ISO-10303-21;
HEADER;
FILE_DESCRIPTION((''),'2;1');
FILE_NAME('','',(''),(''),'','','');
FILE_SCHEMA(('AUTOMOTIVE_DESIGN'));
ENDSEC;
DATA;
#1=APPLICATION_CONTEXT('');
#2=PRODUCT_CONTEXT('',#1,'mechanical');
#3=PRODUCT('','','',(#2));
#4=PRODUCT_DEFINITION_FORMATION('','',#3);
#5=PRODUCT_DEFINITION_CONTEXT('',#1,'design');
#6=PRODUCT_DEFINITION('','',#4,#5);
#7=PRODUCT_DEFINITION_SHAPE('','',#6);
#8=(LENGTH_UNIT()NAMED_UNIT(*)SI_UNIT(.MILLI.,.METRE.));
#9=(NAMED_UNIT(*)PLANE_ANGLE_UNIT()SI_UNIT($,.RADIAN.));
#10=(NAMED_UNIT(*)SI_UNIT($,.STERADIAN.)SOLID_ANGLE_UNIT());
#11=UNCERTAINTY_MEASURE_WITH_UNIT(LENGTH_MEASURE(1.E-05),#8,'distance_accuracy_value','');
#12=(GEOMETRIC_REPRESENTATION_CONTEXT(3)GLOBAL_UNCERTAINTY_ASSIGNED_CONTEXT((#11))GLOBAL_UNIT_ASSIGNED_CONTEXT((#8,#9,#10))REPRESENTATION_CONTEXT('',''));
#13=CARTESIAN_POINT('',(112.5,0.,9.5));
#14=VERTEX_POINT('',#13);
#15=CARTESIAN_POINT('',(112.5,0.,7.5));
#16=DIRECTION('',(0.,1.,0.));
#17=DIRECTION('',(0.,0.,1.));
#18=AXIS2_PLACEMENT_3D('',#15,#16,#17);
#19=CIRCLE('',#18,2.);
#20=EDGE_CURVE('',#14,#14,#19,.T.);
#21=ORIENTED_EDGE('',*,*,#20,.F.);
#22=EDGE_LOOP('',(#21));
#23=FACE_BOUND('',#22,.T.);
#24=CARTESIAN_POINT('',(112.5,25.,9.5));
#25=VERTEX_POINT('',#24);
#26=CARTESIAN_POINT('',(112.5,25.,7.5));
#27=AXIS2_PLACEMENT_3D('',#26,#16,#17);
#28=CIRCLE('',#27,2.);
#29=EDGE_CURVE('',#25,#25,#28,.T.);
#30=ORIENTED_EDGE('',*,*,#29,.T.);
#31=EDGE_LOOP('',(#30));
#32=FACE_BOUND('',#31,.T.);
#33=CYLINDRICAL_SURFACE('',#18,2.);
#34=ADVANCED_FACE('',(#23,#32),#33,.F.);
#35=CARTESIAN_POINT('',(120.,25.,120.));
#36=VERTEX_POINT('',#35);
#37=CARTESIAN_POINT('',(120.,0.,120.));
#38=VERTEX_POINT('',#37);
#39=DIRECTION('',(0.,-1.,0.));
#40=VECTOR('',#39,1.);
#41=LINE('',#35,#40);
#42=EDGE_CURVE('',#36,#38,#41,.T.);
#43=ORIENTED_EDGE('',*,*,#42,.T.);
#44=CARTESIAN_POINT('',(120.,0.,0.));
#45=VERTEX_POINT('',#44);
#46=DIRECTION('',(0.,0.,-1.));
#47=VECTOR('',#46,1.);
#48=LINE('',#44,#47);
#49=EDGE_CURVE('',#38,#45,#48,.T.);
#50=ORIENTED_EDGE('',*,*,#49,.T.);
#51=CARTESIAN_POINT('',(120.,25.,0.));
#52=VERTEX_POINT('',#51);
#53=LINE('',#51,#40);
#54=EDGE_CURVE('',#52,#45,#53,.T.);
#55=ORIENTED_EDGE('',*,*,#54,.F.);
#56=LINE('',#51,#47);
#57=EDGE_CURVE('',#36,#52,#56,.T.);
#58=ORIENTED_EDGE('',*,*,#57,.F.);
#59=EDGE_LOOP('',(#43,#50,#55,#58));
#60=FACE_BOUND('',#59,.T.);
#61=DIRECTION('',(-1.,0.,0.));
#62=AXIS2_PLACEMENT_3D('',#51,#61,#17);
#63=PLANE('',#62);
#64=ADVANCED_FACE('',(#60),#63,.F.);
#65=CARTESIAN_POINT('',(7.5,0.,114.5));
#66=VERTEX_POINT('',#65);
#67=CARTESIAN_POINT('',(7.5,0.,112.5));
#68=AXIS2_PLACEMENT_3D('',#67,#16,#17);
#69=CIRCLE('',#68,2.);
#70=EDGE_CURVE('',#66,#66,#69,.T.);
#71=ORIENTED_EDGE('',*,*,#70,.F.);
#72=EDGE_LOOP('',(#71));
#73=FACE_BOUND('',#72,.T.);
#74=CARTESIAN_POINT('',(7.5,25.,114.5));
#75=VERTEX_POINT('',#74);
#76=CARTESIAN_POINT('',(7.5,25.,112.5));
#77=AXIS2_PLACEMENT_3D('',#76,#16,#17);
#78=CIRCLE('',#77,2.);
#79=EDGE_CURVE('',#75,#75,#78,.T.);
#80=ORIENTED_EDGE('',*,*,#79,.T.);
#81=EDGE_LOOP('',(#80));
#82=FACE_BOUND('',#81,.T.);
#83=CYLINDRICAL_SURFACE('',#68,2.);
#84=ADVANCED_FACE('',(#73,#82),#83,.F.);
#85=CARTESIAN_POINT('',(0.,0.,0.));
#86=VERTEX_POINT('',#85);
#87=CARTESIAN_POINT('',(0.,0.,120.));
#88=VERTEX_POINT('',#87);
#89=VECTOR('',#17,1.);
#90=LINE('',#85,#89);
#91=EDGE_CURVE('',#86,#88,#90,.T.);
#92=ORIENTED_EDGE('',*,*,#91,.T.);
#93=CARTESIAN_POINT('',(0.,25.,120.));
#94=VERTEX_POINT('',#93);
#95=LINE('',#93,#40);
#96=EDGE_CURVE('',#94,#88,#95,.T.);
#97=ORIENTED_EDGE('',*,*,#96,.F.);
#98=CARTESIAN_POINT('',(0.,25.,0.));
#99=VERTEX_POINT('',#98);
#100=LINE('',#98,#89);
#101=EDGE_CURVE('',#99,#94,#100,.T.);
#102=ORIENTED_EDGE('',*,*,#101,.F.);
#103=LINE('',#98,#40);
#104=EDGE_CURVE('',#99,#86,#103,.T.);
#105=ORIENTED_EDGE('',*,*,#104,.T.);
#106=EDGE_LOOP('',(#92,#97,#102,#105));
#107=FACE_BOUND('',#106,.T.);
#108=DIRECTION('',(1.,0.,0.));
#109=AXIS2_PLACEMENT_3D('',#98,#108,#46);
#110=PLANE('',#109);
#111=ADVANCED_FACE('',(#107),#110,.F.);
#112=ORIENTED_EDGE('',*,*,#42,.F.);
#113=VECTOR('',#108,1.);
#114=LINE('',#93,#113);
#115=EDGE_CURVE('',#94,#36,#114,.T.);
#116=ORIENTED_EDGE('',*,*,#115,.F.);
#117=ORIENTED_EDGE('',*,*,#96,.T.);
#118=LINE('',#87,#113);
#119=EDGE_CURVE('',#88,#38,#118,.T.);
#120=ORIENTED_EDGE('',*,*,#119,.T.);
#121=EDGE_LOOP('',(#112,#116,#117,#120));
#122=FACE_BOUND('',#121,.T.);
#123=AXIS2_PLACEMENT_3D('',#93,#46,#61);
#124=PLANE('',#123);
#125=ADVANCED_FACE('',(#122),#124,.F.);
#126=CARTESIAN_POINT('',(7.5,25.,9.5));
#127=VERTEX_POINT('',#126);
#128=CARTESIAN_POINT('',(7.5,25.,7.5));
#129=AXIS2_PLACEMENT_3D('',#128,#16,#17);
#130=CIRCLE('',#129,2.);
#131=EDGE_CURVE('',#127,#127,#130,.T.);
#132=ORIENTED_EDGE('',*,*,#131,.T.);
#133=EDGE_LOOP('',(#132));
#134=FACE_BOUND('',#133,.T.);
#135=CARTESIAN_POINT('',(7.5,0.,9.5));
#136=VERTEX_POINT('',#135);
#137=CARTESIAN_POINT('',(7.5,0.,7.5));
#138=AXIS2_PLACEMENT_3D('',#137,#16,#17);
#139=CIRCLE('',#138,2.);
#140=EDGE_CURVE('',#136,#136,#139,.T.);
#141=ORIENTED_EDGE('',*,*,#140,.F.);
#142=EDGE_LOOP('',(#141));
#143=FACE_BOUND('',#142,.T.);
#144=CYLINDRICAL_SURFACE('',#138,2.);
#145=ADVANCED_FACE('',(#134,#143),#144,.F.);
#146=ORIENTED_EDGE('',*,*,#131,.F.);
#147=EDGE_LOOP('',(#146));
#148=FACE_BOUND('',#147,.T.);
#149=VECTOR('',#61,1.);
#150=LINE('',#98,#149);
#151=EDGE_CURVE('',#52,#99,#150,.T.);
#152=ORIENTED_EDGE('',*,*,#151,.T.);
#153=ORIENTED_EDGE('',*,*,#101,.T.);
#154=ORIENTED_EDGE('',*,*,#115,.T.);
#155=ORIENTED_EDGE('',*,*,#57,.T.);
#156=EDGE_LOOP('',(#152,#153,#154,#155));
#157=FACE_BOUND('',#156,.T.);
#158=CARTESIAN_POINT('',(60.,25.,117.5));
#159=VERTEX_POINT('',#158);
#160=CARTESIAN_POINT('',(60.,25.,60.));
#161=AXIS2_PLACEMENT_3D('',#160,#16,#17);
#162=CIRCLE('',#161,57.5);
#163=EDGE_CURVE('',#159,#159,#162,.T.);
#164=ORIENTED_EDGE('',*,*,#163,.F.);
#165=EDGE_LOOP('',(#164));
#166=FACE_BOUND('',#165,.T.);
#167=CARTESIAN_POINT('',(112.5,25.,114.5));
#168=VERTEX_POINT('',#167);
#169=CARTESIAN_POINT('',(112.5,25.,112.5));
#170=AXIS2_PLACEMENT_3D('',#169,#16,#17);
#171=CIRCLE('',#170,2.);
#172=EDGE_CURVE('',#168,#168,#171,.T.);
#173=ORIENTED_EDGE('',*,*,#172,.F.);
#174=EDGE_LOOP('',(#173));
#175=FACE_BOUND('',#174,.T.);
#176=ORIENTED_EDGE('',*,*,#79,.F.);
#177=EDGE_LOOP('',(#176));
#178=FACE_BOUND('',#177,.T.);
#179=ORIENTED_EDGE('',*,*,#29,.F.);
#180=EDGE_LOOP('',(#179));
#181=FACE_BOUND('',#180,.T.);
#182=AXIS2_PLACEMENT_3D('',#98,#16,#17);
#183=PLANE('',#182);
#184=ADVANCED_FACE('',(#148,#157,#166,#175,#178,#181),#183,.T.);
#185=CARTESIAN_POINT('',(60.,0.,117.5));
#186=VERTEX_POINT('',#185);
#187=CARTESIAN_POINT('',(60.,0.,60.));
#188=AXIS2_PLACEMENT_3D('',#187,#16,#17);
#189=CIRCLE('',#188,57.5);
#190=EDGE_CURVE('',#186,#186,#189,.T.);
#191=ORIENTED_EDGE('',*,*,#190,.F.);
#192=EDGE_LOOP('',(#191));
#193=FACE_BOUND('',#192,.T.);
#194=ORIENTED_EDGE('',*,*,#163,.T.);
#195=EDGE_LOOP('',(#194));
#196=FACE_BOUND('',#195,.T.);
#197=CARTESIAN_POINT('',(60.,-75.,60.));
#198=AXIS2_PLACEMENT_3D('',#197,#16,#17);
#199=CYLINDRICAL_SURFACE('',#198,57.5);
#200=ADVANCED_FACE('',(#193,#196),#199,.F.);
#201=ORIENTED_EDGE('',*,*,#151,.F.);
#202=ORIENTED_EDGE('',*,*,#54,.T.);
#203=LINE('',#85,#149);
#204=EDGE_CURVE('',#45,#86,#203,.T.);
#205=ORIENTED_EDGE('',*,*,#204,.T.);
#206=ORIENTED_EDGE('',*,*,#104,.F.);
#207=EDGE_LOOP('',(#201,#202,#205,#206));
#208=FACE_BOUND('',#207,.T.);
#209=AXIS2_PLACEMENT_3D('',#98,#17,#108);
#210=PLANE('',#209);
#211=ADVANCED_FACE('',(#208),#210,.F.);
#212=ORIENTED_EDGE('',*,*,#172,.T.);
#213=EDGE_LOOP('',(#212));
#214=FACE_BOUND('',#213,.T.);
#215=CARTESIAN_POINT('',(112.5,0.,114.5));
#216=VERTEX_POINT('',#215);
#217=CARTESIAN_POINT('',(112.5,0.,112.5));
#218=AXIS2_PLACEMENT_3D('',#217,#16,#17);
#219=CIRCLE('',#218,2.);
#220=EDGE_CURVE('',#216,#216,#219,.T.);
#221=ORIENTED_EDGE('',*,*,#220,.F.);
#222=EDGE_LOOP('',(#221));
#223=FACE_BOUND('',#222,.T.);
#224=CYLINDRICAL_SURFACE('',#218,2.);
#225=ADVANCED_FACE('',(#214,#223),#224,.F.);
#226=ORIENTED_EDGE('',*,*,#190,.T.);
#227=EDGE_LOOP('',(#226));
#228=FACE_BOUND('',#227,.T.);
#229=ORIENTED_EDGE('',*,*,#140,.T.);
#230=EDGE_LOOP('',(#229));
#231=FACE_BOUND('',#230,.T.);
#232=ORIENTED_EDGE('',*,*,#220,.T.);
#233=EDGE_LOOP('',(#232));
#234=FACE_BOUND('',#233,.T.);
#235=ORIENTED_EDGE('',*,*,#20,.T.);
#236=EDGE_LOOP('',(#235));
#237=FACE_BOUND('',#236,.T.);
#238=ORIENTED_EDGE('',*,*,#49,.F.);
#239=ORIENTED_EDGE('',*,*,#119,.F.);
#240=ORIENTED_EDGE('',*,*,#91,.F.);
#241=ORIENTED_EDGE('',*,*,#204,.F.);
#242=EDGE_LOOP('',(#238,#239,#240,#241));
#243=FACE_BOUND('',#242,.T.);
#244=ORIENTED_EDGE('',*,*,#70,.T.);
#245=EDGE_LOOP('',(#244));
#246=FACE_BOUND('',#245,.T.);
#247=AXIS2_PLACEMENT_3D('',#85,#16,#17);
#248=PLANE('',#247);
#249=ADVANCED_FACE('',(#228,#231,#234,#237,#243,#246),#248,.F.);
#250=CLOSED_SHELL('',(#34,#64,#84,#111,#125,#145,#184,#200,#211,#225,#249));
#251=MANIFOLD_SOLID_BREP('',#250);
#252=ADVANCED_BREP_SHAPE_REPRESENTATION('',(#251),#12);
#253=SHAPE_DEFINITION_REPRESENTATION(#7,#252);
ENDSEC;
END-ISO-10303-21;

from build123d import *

# Parameters (mm, degrees)
SKETCH1_W           = 120
SKETCH1_H           = 120
BOSS_EXTRUDE1_DEPTH = 25
SKETCH2_R           = 2
CUT_EXTRUDE1_DEPTH  = 172.537167984
SKETCH_1_R          = 57.5
CUT_EXTRUDE_1_DEPTH = 100


with BuildPart() as part:
    # Sketch1 → Boss-Extrude1 (new body)
    with BuildSketch(Plane(origin=(0, 0, 0), x_dir=(1, 0, 0), z_dir=(0, 1, 0))):
        with Locations((60, -60)):
            Rectangle(SKETCH1_W, SKETCH1_H)
    extrude(amount=BOSS_EXTRUDE1_DEPTH)

    # Sketch2 → Cut-Extrude1 (cut, through all)
    with BuildSketch(Plane(origin=(0, 25, 0), x_dir=(1, 0, 0), z_dir=(0, 1, 0))):
        with Locations(Location((7.5, -112.5, 0), (0, 0, 270))):
            Circle(SKETCH2_R)
        with Locations(Location((112.5, -112.5, 0), (0, 0, 270))):
            Circle(SKETCH2_R)
        with Locations(Location((112.5, -7.5, 0), (0, 0, 270))):
            Circle(SKETCH2_R)
        with Locations(Location((7.5, -7.5, 0), (0, 0, 270))):
            Circle(SKETCH2_R)
    extrude(amount=-CUT_EXTRUDE1_DEPTH, mode=Mode.SUBTRACT)

    # 草图1 → 切除-拉伸1 (cut)
    with BuildSketch(Plane(origin=(0, 25, 0), x_dir=(1, 0, 0), z_dir=(0, 1, 0))):
        with Locations(Location((60, -60, 0), (0, 0, 270))):
            Circle(SKETCH_1_R)
    extrude(amount=-CUT_EXTRUDE_1_DEPTH, mode=Mode.SUBTRACT)


solid = part.part
